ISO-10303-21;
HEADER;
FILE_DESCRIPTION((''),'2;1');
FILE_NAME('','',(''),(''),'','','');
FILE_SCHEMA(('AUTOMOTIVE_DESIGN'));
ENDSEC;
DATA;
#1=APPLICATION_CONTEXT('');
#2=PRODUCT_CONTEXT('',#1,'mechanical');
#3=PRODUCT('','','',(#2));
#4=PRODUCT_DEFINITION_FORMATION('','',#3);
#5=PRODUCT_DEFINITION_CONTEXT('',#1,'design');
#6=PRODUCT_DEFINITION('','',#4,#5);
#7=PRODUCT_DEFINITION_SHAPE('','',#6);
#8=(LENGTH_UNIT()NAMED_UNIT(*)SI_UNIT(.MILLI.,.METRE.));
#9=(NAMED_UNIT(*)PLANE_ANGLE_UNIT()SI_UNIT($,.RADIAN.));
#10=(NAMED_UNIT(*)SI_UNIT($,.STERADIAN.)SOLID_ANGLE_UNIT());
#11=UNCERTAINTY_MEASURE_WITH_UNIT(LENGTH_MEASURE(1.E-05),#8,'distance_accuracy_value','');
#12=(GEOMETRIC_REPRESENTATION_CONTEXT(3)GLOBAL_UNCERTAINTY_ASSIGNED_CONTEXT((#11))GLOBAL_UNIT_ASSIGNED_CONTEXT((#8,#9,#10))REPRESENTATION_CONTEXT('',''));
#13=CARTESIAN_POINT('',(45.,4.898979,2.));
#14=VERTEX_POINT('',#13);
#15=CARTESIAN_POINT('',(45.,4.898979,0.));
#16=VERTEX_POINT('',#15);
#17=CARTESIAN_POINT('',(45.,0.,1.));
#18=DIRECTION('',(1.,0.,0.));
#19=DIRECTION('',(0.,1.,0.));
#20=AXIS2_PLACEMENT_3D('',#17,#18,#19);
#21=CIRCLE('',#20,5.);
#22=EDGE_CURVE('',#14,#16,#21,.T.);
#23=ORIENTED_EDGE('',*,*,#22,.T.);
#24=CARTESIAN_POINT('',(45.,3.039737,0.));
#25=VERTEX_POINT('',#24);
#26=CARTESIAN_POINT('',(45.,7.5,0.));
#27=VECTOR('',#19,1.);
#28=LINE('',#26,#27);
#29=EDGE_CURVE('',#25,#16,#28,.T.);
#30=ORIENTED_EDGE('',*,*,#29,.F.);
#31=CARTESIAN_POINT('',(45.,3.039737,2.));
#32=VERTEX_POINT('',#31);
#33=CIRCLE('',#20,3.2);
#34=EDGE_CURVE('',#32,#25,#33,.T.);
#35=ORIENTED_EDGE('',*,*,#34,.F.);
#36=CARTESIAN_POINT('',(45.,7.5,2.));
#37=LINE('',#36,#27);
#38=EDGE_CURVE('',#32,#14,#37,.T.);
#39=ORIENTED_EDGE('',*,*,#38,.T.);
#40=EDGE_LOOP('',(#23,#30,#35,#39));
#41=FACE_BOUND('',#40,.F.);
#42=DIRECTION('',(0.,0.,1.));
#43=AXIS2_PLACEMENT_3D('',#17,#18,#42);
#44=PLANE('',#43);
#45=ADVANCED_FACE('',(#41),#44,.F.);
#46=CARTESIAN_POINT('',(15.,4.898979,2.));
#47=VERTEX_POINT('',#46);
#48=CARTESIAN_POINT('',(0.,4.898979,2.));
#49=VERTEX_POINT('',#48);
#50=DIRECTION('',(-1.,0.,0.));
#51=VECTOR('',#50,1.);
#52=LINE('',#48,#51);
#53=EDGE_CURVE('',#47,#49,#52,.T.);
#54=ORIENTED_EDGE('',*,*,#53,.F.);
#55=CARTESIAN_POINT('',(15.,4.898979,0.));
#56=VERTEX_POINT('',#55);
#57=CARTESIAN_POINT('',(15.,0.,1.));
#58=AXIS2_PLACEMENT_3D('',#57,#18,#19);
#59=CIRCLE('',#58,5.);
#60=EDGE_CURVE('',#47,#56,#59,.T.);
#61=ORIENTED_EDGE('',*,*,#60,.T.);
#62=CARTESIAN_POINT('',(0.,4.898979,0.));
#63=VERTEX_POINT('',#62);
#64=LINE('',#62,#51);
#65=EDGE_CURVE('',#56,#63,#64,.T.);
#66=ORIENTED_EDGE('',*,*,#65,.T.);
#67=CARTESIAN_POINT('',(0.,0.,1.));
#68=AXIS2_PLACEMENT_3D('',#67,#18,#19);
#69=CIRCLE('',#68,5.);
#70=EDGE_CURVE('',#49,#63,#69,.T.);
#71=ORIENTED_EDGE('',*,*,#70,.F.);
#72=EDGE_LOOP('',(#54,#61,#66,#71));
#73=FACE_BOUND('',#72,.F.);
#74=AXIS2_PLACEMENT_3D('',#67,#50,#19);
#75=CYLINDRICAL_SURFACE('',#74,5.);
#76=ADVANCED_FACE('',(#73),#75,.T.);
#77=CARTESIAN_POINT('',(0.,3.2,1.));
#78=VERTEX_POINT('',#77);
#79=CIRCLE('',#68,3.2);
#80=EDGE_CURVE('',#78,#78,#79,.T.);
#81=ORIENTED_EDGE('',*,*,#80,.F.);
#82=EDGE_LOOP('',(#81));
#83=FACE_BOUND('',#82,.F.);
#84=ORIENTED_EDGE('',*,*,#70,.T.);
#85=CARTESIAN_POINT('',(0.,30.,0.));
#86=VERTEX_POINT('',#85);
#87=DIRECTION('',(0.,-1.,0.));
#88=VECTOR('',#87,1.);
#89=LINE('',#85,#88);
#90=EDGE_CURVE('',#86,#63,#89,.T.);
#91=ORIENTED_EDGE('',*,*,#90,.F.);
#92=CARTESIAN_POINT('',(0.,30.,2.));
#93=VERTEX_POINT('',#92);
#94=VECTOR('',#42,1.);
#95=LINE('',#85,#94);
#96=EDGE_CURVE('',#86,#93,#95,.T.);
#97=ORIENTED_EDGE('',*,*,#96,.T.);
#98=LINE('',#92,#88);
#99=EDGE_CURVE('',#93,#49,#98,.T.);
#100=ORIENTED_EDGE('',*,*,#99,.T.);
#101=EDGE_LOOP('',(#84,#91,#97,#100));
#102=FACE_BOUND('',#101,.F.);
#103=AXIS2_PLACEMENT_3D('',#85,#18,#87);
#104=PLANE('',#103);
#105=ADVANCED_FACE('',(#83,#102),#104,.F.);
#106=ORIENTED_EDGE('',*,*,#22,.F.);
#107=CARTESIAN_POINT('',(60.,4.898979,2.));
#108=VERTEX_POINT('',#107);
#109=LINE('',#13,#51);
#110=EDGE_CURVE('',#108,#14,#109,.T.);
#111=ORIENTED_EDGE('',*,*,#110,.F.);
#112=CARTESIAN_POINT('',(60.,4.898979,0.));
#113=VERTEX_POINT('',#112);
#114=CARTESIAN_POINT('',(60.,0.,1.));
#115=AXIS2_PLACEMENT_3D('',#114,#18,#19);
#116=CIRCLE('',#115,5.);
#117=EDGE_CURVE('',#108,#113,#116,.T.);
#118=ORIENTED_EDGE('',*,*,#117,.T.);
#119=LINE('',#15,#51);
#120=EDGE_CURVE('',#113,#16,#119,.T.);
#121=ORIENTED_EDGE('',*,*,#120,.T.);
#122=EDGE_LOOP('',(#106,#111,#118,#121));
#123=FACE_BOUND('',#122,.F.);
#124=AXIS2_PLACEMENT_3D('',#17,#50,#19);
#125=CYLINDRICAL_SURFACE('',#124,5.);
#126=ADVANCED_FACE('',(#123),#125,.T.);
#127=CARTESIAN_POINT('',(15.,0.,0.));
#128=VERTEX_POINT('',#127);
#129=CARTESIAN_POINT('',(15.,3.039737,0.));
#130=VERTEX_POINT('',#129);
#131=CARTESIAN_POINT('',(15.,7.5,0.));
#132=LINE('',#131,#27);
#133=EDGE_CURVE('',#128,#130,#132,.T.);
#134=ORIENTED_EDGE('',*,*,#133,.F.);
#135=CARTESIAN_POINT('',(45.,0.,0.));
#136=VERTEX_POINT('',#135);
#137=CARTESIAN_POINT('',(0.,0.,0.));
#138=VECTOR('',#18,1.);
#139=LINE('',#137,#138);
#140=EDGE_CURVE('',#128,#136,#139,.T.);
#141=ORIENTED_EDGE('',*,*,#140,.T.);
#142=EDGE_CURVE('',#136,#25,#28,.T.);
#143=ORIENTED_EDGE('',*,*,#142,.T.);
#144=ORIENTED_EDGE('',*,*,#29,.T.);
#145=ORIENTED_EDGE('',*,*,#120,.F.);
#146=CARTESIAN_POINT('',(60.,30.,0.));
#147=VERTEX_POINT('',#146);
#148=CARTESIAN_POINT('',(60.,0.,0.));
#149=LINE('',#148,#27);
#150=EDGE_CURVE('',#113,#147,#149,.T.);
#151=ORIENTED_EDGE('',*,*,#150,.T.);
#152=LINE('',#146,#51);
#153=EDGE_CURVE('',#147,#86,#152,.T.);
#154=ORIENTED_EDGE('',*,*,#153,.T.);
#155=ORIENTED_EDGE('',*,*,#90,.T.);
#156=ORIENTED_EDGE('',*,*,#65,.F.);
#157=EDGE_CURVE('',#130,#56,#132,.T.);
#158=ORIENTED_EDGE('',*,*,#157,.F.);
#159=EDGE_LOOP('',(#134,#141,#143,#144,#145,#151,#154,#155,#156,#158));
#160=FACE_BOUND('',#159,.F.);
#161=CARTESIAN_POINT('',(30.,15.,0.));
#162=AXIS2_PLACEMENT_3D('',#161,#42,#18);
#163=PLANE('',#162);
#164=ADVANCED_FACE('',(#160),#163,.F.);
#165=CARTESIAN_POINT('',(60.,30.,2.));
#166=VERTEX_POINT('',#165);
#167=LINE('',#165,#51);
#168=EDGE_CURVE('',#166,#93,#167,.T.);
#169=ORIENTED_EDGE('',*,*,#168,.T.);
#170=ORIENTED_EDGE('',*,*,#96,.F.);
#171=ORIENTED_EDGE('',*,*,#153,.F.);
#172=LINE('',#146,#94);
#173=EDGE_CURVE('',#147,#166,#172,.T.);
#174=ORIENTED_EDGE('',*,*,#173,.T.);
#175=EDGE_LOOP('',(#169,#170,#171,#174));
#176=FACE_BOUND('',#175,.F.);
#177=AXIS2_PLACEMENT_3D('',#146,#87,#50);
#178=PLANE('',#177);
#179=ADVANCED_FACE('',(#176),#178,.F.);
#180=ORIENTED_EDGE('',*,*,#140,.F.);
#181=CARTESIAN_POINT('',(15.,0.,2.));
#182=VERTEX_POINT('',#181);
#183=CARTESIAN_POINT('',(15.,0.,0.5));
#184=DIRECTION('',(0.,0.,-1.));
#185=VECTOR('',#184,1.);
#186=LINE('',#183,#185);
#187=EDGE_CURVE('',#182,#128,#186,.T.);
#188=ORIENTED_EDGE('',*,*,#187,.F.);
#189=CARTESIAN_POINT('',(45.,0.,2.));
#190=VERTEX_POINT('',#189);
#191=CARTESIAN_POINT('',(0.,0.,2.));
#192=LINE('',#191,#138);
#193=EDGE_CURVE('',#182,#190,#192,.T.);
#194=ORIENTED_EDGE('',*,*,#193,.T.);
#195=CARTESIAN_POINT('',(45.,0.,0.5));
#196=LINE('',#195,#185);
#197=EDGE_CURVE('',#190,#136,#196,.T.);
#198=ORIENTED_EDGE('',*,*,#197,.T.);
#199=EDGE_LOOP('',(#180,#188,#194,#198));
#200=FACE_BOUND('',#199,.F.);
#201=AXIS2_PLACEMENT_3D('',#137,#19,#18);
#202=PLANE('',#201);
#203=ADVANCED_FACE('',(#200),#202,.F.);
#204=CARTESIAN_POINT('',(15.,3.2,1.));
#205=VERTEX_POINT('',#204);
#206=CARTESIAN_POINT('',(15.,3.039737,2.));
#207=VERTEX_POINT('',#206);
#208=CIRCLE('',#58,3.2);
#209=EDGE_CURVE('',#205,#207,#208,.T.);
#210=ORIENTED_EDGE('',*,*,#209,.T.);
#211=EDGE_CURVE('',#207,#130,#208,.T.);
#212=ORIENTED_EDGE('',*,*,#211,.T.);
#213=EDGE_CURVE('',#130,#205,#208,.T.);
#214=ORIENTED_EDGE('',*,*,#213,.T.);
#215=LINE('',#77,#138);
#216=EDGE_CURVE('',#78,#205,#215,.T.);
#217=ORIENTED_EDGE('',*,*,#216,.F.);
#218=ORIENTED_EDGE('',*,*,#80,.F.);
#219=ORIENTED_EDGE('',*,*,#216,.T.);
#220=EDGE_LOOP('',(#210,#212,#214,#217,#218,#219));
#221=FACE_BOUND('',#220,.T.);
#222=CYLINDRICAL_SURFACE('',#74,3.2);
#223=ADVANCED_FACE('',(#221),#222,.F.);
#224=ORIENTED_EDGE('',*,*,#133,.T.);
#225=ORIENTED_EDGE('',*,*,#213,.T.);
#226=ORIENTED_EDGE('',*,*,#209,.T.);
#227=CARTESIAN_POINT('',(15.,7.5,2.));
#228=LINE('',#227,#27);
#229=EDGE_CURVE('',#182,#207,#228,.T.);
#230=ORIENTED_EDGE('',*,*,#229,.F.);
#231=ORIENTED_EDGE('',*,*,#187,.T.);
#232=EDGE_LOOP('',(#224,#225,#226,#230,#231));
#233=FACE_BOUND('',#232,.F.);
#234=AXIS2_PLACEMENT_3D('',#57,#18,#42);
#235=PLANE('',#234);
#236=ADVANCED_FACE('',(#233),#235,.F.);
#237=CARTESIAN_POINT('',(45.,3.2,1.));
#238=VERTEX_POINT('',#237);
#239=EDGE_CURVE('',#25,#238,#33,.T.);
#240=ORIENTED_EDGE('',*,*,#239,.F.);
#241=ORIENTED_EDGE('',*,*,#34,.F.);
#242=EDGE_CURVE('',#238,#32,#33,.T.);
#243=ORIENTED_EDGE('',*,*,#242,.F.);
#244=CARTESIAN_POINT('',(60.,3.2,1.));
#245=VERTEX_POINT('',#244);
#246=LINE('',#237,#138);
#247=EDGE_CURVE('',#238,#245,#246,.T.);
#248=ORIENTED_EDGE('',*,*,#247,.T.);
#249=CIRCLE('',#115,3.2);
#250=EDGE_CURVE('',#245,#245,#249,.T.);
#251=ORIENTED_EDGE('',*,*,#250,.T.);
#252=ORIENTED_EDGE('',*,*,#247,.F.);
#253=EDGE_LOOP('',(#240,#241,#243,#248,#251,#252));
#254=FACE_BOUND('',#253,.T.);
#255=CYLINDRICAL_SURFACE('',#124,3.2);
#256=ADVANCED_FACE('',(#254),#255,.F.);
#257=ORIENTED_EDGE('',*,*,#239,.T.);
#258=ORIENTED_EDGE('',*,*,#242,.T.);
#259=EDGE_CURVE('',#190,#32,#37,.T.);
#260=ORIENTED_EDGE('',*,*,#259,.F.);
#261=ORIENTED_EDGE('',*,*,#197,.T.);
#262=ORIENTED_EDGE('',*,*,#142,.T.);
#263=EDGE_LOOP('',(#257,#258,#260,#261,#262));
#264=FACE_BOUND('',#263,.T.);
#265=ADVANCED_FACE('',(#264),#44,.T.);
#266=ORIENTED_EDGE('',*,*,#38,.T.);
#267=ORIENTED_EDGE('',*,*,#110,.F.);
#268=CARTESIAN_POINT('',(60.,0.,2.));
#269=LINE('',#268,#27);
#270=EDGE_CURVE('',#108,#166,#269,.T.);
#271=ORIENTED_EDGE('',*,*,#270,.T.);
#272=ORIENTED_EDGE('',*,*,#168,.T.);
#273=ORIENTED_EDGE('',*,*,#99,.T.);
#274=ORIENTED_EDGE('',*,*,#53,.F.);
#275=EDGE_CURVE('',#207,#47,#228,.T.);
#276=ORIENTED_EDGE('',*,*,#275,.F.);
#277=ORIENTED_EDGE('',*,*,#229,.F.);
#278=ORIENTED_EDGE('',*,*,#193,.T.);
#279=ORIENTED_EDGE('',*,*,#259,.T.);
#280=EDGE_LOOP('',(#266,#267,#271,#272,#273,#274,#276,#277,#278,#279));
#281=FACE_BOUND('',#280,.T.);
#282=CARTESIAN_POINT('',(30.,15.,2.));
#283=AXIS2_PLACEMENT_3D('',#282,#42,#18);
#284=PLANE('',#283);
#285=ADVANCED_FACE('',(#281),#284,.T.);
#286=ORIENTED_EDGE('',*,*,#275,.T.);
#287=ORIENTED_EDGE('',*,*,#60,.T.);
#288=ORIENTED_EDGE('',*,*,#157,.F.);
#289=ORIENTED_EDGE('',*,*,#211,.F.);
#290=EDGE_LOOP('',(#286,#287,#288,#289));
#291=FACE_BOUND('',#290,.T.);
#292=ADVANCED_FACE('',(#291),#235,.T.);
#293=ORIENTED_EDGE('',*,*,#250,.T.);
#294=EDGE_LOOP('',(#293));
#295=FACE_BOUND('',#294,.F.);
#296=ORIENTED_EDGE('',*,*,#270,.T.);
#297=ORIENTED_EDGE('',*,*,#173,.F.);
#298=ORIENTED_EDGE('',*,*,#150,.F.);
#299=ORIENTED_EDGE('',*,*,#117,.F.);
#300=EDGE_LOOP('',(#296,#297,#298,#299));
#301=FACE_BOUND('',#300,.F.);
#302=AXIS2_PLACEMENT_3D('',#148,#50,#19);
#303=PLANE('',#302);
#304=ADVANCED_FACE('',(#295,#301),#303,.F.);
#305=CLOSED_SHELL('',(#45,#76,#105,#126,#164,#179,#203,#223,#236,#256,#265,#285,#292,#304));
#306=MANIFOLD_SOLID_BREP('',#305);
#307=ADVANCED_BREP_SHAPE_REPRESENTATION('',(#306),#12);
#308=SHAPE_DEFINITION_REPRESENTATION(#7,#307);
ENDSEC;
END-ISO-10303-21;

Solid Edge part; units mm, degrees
sketch "Sketch1" plane through (0, 0, 0) normal (0, 0, 1) x (1, 0, 0)
  line L0 (0, 0) -> (60, 0)
  line L1 (60, 0) -> (60, 30)
  line L2 (60, 30) -> (0, 30)
  line L3 (0, 30) -> (0, 0)
extrude "Protrusion1" add sketch "Sketch1" along normal blind 2
sketch "Sketch2" plane through (0, 0, 0) normal (1, 0, 0) x (0, 1, 0)
  circle A0 centre (0, 1) radius 5
extrude "拉伸_2" add sketch "Sketch2" along normal blind 15
sketch "Sketch3" plane through (45, 0, 0) normal (1, 0, 0) x (0, 1, 0)
  circle A0 centre (0, 1) radius 5
extrude "拉伸_3" add sketch "Sketch3" along normal blind 15
sketch "Sketch4" plane through (0, 0, 0) normal (1, 0, 0) x (0, 1, 0)
  circle A0 centre (0, 1) radius 3.2
extrude "拉伸除料_1" cut sketch "Sketch4" along normal blind 15
sketch "Sketch5" plane through (45, 0, 0) normal (1, 0, 0) x (0, 1, 0)
  circle A0 centre (0, 1) radius 3.2
extrude "拉伸除料_2" cut sketch "Sketch5" along normal blind 15
